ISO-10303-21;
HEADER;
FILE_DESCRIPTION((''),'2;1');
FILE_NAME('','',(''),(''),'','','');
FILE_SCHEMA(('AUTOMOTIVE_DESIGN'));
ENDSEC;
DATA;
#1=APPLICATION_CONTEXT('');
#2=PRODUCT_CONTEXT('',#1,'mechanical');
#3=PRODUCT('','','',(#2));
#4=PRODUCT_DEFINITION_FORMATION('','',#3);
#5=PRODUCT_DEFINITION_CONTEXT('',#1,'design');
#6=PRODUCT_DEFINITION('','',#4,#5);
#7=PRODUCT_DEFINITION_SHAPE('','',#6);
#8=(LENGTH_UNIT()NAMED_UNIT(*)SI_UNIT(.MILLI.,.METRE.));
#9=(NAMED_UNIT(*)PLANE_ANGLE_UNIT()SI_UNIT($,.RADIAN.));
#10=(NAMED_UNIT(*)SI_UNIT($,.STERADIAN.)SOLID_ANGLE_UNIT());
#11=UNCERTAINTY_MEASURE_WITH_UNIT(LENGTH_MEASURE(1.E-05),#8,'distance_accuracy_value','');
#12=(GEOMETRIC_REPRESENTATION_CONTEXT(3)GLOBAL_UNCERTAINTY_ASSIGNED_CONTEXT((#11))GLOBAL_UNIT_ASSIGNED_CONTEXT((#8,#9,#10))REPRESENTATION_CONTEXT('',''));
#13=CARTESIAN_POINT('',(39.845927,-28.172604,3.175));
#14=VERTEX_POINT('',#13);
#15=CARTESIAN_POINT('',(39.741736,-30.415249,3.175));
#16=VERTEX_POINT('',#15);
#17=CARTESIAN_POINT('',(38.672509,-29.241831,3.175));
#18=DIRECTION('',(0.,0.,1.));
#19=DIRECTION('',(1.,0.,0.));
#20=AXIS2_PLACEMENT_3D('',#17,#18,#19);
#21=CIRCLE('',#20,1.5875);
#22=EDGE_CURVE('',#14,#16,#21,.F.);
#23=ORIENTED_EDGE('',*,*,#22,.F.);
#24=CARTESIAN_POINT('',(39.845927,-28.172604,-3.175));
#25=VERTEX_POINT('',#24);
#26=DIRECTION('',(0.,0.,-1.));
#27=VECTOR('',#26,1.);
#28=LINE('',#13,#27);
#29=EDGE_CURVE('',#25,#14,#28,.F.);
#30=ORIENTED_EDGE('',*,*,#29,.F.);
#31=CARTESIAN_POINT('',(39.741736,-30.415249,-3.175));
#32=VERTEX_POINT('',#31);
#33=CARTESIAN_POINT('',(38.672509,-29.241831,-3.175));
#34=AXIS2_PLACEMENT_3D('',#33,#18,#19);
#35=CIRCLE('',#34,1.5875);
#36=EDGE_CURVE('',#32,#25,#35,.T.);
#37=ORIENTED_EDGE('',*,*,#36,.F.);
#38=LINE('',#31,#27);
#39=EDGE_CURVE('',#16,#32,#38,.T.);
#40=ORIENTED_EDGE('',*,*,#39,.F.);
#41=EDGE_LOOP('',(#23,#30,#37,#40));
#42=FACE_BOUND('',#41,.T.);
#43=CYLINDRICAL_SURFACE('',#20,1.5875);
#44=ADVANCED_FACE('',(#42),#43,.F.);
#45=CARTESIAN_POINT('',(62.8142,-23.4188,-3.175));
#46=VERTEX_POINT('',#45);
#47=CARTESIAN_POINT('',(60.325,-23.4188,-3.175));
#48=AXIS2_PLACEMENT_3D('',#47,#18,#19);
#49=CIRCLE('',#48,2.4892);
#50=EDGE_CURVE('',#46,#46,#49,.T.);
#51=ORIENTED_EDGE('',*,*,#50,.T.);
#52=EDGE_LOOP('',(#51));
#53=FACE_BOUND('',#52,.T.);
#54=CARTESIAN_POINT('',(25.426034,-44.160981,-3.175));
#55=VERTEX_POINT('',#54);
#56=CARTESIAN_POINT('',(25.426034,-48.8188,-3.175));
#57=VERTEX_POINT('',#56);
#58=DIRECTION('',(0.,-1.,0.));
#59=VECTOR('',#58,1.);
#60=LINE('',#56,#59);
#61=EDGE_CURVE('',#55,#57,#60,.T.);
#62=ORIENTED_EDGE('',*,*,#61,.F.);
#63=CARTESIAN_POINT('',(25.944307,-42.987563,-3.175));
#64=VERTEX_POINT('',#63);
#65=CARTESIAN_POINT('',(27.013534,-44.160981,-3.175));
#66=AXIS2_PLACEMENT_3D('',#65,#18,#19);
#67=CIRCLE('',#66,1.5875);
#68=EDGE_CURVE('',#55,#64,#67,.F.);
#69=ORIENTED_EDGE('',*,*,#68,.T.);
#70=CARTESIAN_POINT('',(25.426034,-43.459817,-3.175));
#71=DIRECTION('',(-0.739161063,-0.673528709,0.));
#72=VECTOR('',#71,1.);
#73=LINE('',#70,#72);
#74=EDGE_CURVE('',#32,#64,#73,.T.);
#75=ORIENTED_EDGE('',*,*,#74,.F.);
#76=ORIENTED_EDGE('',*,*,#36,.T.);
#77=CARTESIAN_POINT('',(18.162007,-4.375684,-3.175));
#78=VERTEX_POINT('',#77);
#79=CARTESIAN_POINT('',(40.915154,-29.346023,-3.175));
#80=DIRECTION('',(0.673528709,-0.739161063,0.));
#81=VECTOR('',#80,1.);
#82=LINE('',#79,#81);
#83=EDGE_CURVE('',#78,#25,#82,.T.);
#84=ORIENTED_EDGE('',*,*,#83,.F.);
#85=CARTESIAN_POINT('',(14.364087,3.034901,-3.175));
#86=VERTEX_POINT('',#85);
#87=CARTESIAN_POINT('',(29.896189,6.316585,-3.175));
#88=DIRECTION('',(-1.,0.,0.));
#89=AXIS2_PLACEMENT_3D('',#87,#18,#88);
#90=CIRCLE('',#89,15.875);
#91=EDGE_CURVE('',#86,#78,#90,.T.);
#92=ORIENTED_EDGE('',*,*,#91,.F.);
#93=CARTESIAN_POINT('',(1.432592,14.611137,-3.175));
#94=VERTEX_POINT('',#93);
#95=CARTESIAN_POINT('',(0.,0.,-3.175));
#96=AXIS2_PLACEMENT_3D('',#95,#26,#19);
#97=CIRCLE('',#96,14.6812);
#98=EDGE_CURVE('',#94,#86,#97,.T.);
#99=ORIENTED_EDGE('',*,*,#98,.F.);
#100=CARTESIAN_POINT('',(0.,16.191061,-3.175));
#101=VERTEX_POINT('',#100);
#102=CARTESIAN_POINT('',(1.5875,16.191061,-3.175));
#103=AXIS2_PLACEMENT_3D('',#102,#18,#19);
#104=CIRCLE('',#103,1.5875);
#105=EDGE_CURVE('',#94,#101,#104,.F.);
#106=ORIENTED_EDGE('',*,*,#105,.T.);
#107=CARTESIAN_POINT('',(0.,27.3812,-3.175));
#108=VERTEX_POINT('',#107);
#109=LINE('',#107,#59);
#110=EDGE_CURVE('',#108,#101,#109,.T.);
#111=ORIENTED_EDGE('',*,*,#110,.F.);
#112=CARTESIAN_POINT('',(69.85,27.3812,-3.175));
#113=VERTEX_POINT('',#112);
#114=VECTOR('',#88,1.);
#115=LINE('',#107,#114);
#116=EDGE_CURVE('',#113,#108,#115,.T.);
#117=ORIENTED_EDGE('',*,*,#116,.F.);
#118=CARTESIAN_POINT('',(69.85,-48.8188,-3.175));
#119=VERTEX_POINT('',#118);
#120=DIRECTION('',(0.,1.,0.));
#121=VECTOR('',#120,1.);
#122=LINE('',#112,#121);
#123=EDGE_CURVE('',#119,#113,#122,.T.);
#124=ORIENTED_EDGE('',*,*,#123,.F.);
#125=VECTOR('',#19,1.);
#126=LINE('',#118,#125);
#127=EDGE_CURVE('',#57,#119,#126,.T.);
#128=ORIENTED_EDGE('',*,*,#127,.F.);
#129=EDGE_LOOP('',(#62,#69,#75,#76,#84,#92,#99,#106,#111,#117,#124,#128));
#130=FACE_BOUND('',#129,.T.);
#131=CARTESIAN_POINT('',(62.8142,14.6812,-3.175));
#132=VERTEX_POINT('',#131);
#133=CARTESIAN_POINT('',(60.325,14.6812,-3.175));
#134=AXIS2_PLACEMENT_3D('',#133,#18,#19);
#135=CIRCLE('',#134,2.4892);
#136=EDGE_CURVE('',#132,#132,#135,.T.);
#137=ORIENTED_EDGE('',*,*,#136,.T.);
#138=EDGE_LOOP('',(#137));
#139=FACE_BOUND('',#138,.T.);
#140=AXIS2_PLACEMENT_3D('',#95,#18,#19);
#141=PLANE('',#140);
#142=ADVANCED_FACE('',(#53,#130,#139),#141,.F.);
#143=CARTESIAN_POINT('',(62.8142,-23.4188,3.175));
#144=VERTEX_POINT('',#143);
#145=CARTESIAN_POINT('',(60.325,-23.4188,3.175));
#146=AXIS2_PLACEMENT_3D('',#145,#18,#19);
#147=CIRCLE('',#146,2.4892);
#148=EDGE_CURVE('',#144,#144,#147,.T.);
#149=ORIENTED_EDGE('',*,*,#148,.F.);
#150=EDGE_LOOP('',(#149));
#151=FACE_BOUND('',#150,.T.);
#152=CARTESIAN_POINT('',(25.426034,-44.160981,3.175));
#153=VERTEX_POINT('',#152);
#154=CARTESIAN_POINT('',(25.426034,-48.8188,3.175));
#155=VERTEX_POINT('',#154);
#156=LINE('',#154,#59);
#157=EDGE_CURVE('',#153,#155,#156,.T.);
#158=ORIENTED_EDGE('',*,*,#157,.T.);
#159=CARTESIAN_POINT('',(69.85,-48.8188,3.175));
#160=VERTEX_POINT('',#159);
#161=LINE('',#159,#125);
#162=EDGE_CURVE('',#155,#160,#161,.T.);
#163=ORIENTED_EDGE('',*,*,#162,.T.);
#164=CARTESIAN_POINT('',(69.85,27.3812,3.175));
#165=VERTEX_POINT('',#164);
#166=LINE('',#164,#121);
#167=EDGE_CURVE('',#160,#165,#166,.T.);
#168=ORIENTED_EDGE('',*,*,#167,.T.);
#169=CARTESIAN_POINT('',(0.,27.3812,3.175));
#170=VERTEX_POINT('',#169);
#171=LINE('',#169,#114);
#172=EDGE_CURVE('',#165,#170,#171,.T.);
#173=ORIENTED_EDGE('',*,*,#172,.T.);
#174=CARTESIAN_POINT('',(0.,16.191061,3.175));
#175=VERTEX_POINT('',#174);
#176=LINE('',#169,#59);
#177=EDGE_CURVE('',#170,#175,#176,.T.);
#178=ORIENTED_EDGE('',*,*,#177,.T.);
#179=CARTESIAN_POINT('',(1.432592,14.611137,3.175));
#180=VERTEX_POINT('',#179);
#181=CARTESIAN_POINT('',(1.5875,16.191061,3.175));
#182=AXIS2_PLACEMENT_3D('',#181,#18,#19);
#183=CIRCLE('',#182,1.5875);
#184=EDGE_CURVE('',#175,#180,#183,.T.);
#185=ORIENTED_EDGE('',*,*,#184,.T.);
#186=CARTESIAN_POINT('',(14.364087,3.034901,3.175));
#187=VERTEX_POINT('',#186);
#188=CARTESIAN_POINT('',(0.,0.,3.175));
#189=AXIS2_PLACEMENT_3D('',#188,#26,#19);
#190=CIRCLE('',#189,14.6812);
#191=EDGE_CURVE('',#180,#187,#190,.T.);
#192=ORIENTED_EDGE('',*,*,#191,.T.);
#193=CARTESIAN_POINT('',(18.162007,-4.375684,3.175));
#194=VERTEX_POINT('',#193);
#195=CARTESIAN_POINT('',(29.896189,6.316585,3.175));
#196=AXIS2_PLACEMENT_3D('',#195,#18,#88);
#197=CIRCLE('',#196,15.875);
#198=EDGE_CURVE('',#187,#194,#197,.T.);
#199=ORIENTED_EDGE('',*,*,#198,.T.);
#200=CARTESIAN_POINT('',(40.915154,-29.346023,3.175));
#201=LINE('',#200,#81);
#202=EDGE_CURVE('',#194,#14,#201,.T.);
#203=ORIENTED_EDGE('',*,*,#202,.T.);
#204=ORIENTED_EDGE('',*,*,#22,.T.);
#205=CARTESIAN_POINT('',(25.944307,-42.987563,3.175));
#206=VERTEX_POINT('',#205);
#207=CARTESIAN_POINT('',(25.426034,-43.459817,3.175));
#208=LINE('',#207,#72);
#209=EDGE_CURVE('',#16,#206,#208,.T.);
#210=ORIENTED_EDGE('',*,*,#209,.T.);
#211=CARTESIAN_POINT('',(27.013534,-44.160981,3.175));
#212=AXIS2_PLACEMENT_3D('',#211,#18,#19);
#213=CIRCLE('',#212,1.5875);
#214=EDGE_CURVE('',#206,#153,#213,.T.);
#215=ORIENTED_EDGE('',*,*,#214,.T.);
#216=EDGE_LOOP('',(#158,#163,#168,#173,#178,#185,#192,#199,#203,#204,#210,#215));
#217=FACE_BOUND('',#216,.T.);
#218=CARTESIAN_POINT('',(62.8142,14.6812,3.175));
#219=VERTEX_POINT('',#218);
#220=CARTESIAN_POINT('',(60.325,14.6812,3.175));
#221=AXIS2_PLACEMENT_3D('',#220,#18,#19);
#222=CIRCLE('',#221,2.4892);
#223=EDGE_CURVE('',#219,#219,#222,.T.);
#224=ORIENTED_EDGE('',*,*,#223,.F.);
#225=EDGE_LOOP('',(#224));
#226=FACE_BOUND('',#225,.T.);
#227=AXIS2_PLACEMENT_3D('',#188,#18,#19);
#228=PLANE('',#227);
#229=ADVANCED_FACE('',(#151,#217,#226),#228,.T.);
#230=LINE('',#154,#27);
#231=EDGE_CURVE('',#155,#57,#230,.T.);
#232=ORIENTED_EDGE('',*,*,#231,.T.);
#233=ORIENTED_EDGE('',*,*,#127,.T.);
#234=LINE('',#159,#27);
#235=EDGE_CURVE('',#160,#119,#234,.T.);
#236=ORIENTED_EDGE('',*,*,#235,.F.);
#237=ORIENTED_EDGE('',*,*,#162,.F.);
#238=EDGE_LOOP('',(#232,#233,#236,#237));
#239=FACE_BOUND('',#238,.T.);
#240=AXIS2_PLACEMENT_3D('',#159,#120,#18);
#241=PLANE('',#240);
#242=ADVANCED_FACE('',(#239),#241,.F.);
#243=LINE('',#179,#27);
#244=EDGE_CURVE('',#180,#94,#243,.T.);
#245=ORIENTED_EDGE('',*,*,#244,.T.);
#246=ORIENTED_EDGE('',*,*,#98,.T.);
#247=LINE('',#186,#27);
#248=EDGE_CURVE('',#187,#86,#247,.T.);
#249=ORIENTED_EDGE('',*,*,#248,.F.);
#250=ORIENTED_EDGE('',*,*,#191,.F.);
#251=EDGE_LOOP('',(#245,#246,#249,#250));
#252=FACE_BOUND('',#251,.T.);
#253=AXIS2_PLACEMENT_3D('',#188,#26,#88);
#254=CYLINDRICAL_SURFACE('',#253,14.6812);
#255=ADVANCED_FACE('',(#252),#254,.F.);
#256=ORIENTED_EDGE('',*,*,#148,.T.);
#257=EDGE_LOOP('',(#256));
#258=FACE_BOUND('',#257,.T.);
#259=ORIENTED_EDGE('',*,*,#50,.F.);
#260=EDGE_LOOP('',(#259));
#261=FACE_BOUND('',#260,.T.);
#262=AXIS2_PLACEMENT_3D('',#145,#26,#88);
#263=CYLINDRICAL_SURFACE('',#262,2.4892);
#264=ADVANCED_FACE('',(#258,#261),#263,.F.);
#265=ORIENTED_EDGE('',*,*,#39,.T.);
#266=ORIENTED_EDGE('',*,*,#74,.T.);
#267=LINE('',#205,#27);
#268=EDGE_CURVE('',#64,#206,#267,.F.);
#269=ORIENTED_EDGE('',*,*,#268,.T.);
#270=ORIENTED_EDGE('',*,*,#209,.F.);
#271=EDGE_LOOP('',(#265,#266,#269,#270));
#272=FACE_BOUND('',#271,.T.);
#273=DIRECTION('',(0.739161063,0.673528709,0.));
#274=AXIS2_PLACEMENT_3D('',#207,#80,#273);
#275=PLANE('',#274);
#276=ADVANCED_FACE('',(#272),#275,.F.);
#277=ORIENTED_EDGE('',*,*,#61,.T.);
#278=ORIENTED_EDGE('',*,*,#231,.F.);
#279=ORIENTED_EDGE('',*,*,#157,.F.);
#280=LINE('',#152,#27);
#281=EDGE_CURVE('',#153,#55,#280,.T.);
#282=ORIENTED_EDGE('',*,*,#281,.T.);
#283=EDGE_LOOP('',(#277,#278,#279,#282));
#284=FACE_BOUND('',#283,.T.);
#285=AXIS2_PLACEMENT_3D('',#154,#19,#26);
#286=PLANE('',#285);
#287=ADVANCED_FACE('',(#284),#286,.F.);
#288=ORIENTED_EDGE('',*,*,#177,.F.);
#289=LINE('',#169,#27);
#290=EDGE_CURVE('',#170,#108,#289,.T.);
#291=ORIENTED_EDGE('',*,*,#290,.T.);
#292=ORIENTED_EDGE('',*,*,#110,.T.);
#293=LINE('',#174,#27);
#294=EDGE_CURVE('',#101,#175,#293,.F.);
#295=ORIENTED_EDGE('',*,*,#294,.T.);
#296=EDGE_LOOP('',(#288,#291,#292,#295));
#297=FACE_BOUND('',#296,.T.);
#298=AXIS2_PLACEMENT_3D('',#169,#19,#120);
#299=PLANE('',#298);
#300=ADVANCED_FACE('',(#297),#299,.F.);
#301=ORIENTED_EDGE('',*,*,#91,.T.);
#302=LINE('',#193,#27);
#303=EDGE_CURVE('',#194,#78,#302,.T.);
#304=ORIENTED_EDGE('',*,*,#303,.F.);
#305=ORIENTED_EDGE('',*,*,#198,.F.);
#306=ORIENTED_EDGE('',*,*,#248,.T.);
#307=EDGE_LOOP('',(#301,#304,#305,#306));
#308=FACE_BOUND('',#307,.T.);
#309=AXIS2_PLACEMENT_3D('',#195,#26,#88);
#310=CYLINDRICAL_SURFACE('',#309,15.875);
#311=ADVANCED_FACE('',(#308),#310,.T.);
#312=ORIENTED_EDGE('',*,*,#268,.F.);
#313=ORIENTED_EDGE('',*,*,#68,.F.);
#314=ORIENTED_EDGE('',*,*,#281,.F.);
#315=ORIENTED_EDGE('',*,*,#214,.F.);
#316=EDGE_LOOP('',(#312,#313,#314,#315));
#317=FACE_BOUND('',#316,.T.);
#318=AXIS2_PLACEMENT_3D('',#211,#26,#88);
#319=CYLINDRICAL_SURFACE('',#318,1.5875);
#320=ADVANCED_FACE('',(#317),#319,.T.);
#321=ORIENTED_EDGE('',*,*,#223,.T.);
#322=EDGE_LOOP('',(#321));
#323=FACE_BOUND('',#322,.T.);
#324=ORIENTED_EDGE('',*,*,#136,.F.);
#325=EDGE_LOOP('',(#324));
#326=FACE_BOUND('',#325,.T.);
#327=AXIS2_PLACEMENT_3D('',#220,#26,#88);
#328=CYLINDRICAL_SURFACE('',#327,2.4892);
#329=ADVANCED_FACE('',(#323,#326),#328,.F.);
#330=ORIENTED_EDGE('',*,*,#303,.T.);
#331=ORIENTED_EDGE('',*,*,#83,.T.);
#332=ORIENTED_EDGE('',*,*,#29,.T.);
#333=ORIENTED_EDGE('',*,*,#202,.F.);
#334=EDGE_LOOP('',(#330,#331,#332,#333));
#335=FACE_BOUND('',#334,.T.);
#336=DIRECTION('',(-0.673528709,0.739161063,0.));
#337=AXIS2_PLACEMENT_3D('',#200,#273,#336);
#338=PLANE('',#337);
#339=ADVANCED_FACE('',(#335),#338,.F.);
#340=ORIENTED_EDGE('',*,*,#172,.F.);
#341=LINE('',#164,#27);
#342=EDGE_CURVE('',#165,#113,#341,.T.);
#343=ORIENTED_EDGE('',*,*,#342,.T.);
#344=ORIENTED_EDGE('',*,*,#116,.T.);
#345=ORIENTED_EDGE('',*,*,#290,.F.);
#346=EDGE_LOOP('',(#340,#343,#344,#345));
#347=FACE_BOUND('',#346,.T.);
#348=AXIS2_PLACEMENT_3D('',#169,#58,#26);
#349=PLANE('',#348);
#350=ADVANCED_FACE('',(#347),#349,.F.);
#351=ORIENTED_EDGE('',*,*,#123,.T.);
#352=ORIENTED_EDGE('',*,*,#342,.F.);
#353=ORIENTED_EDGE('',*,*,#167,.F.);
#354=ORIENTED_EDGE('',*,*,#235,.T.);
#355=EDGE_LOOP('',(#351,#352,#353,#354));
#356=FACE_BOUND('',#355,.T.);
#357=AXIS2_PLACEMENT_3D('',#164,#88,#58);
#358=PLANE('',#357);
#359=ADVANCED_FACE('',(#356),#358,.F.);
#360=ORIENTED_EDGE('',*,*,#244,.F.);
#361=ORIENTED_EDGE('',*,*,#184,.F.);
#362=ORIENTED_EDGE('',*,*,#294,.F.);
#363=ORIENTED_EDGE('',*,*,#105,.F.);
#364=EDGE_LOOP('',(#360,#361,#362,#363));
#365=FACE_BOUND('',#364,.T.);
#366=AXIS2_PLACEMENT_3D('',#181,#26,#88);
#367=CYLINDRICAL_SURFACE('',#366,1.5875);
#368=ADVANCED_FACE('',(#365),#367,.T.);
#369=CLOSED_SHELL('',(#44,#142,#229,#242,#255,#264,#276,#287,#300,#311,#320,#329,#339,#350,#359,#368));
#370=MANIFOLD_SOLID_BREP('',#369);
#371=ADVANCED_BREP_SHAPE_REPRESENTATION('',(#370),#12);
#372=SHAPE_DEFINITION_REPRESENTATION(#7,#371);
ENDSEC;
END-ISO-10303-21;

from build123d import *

# Parameters (mm, degrees)
SKETCH1_R           = 2.4892
BOSS_EXTRUDE1_DEPTH = 3.175
FILLET1_R           = 1.5875


with BuildPart() as part:
    # Sketch1 → Boss-Extrude1 (new, symmetric)
    with BuildSketch(Plane.XY):
        with BuildLine():
            Line((0, 27.3812), (69.85, 27.3812))
            Line((69.85, 27.3812), (69.85, -48.8188))
            Line((69.85, -48.8188), (25.42603388, -48.8188))
            Line((25.42603388, -48.8188), (25.42603388, -43.459816684))
            Line((25.42603388, -43.459816684), (40.915153964, -29.346022579))
            Line((40.915153964, -29.346022579), (18.162007104, -4.375683536))
            ThreePointArc((18.162007104, -4.375683536), (15.768494782, -0.923849067), (14.364087476, 3.034901057))
            ThreePointArc((14.364087476, 3.034901057), (9.246124703, 11.403806883), (0, 14.6812))
            Line((0, 14.6812), (0, 27.3812))
        make_face()
        with Locations((60.325, -23.4188)):
            Circle(SKETCH1_R, mode=Mode.SUBTRACT)
        with Locations((60.325, 14.6812)):
            Circle(SKETCH1_R, mode=Mode.SUBTRACT)
    extrude(amount=BOSS_EXTRUDE1_DEPTH, both=True)

    # Fillet1
    fillet1_edges = [part.edges().sort_by_distance(p)[0] for p in [
        (25.42603388, -43.459816684, 0),
        (40.915153964, -29.346022579, 0),
        (0, 14.6812, 0),
    ]]
    fillet(fillet1_edges, radius=FILLET1_R)


solid = part.part
